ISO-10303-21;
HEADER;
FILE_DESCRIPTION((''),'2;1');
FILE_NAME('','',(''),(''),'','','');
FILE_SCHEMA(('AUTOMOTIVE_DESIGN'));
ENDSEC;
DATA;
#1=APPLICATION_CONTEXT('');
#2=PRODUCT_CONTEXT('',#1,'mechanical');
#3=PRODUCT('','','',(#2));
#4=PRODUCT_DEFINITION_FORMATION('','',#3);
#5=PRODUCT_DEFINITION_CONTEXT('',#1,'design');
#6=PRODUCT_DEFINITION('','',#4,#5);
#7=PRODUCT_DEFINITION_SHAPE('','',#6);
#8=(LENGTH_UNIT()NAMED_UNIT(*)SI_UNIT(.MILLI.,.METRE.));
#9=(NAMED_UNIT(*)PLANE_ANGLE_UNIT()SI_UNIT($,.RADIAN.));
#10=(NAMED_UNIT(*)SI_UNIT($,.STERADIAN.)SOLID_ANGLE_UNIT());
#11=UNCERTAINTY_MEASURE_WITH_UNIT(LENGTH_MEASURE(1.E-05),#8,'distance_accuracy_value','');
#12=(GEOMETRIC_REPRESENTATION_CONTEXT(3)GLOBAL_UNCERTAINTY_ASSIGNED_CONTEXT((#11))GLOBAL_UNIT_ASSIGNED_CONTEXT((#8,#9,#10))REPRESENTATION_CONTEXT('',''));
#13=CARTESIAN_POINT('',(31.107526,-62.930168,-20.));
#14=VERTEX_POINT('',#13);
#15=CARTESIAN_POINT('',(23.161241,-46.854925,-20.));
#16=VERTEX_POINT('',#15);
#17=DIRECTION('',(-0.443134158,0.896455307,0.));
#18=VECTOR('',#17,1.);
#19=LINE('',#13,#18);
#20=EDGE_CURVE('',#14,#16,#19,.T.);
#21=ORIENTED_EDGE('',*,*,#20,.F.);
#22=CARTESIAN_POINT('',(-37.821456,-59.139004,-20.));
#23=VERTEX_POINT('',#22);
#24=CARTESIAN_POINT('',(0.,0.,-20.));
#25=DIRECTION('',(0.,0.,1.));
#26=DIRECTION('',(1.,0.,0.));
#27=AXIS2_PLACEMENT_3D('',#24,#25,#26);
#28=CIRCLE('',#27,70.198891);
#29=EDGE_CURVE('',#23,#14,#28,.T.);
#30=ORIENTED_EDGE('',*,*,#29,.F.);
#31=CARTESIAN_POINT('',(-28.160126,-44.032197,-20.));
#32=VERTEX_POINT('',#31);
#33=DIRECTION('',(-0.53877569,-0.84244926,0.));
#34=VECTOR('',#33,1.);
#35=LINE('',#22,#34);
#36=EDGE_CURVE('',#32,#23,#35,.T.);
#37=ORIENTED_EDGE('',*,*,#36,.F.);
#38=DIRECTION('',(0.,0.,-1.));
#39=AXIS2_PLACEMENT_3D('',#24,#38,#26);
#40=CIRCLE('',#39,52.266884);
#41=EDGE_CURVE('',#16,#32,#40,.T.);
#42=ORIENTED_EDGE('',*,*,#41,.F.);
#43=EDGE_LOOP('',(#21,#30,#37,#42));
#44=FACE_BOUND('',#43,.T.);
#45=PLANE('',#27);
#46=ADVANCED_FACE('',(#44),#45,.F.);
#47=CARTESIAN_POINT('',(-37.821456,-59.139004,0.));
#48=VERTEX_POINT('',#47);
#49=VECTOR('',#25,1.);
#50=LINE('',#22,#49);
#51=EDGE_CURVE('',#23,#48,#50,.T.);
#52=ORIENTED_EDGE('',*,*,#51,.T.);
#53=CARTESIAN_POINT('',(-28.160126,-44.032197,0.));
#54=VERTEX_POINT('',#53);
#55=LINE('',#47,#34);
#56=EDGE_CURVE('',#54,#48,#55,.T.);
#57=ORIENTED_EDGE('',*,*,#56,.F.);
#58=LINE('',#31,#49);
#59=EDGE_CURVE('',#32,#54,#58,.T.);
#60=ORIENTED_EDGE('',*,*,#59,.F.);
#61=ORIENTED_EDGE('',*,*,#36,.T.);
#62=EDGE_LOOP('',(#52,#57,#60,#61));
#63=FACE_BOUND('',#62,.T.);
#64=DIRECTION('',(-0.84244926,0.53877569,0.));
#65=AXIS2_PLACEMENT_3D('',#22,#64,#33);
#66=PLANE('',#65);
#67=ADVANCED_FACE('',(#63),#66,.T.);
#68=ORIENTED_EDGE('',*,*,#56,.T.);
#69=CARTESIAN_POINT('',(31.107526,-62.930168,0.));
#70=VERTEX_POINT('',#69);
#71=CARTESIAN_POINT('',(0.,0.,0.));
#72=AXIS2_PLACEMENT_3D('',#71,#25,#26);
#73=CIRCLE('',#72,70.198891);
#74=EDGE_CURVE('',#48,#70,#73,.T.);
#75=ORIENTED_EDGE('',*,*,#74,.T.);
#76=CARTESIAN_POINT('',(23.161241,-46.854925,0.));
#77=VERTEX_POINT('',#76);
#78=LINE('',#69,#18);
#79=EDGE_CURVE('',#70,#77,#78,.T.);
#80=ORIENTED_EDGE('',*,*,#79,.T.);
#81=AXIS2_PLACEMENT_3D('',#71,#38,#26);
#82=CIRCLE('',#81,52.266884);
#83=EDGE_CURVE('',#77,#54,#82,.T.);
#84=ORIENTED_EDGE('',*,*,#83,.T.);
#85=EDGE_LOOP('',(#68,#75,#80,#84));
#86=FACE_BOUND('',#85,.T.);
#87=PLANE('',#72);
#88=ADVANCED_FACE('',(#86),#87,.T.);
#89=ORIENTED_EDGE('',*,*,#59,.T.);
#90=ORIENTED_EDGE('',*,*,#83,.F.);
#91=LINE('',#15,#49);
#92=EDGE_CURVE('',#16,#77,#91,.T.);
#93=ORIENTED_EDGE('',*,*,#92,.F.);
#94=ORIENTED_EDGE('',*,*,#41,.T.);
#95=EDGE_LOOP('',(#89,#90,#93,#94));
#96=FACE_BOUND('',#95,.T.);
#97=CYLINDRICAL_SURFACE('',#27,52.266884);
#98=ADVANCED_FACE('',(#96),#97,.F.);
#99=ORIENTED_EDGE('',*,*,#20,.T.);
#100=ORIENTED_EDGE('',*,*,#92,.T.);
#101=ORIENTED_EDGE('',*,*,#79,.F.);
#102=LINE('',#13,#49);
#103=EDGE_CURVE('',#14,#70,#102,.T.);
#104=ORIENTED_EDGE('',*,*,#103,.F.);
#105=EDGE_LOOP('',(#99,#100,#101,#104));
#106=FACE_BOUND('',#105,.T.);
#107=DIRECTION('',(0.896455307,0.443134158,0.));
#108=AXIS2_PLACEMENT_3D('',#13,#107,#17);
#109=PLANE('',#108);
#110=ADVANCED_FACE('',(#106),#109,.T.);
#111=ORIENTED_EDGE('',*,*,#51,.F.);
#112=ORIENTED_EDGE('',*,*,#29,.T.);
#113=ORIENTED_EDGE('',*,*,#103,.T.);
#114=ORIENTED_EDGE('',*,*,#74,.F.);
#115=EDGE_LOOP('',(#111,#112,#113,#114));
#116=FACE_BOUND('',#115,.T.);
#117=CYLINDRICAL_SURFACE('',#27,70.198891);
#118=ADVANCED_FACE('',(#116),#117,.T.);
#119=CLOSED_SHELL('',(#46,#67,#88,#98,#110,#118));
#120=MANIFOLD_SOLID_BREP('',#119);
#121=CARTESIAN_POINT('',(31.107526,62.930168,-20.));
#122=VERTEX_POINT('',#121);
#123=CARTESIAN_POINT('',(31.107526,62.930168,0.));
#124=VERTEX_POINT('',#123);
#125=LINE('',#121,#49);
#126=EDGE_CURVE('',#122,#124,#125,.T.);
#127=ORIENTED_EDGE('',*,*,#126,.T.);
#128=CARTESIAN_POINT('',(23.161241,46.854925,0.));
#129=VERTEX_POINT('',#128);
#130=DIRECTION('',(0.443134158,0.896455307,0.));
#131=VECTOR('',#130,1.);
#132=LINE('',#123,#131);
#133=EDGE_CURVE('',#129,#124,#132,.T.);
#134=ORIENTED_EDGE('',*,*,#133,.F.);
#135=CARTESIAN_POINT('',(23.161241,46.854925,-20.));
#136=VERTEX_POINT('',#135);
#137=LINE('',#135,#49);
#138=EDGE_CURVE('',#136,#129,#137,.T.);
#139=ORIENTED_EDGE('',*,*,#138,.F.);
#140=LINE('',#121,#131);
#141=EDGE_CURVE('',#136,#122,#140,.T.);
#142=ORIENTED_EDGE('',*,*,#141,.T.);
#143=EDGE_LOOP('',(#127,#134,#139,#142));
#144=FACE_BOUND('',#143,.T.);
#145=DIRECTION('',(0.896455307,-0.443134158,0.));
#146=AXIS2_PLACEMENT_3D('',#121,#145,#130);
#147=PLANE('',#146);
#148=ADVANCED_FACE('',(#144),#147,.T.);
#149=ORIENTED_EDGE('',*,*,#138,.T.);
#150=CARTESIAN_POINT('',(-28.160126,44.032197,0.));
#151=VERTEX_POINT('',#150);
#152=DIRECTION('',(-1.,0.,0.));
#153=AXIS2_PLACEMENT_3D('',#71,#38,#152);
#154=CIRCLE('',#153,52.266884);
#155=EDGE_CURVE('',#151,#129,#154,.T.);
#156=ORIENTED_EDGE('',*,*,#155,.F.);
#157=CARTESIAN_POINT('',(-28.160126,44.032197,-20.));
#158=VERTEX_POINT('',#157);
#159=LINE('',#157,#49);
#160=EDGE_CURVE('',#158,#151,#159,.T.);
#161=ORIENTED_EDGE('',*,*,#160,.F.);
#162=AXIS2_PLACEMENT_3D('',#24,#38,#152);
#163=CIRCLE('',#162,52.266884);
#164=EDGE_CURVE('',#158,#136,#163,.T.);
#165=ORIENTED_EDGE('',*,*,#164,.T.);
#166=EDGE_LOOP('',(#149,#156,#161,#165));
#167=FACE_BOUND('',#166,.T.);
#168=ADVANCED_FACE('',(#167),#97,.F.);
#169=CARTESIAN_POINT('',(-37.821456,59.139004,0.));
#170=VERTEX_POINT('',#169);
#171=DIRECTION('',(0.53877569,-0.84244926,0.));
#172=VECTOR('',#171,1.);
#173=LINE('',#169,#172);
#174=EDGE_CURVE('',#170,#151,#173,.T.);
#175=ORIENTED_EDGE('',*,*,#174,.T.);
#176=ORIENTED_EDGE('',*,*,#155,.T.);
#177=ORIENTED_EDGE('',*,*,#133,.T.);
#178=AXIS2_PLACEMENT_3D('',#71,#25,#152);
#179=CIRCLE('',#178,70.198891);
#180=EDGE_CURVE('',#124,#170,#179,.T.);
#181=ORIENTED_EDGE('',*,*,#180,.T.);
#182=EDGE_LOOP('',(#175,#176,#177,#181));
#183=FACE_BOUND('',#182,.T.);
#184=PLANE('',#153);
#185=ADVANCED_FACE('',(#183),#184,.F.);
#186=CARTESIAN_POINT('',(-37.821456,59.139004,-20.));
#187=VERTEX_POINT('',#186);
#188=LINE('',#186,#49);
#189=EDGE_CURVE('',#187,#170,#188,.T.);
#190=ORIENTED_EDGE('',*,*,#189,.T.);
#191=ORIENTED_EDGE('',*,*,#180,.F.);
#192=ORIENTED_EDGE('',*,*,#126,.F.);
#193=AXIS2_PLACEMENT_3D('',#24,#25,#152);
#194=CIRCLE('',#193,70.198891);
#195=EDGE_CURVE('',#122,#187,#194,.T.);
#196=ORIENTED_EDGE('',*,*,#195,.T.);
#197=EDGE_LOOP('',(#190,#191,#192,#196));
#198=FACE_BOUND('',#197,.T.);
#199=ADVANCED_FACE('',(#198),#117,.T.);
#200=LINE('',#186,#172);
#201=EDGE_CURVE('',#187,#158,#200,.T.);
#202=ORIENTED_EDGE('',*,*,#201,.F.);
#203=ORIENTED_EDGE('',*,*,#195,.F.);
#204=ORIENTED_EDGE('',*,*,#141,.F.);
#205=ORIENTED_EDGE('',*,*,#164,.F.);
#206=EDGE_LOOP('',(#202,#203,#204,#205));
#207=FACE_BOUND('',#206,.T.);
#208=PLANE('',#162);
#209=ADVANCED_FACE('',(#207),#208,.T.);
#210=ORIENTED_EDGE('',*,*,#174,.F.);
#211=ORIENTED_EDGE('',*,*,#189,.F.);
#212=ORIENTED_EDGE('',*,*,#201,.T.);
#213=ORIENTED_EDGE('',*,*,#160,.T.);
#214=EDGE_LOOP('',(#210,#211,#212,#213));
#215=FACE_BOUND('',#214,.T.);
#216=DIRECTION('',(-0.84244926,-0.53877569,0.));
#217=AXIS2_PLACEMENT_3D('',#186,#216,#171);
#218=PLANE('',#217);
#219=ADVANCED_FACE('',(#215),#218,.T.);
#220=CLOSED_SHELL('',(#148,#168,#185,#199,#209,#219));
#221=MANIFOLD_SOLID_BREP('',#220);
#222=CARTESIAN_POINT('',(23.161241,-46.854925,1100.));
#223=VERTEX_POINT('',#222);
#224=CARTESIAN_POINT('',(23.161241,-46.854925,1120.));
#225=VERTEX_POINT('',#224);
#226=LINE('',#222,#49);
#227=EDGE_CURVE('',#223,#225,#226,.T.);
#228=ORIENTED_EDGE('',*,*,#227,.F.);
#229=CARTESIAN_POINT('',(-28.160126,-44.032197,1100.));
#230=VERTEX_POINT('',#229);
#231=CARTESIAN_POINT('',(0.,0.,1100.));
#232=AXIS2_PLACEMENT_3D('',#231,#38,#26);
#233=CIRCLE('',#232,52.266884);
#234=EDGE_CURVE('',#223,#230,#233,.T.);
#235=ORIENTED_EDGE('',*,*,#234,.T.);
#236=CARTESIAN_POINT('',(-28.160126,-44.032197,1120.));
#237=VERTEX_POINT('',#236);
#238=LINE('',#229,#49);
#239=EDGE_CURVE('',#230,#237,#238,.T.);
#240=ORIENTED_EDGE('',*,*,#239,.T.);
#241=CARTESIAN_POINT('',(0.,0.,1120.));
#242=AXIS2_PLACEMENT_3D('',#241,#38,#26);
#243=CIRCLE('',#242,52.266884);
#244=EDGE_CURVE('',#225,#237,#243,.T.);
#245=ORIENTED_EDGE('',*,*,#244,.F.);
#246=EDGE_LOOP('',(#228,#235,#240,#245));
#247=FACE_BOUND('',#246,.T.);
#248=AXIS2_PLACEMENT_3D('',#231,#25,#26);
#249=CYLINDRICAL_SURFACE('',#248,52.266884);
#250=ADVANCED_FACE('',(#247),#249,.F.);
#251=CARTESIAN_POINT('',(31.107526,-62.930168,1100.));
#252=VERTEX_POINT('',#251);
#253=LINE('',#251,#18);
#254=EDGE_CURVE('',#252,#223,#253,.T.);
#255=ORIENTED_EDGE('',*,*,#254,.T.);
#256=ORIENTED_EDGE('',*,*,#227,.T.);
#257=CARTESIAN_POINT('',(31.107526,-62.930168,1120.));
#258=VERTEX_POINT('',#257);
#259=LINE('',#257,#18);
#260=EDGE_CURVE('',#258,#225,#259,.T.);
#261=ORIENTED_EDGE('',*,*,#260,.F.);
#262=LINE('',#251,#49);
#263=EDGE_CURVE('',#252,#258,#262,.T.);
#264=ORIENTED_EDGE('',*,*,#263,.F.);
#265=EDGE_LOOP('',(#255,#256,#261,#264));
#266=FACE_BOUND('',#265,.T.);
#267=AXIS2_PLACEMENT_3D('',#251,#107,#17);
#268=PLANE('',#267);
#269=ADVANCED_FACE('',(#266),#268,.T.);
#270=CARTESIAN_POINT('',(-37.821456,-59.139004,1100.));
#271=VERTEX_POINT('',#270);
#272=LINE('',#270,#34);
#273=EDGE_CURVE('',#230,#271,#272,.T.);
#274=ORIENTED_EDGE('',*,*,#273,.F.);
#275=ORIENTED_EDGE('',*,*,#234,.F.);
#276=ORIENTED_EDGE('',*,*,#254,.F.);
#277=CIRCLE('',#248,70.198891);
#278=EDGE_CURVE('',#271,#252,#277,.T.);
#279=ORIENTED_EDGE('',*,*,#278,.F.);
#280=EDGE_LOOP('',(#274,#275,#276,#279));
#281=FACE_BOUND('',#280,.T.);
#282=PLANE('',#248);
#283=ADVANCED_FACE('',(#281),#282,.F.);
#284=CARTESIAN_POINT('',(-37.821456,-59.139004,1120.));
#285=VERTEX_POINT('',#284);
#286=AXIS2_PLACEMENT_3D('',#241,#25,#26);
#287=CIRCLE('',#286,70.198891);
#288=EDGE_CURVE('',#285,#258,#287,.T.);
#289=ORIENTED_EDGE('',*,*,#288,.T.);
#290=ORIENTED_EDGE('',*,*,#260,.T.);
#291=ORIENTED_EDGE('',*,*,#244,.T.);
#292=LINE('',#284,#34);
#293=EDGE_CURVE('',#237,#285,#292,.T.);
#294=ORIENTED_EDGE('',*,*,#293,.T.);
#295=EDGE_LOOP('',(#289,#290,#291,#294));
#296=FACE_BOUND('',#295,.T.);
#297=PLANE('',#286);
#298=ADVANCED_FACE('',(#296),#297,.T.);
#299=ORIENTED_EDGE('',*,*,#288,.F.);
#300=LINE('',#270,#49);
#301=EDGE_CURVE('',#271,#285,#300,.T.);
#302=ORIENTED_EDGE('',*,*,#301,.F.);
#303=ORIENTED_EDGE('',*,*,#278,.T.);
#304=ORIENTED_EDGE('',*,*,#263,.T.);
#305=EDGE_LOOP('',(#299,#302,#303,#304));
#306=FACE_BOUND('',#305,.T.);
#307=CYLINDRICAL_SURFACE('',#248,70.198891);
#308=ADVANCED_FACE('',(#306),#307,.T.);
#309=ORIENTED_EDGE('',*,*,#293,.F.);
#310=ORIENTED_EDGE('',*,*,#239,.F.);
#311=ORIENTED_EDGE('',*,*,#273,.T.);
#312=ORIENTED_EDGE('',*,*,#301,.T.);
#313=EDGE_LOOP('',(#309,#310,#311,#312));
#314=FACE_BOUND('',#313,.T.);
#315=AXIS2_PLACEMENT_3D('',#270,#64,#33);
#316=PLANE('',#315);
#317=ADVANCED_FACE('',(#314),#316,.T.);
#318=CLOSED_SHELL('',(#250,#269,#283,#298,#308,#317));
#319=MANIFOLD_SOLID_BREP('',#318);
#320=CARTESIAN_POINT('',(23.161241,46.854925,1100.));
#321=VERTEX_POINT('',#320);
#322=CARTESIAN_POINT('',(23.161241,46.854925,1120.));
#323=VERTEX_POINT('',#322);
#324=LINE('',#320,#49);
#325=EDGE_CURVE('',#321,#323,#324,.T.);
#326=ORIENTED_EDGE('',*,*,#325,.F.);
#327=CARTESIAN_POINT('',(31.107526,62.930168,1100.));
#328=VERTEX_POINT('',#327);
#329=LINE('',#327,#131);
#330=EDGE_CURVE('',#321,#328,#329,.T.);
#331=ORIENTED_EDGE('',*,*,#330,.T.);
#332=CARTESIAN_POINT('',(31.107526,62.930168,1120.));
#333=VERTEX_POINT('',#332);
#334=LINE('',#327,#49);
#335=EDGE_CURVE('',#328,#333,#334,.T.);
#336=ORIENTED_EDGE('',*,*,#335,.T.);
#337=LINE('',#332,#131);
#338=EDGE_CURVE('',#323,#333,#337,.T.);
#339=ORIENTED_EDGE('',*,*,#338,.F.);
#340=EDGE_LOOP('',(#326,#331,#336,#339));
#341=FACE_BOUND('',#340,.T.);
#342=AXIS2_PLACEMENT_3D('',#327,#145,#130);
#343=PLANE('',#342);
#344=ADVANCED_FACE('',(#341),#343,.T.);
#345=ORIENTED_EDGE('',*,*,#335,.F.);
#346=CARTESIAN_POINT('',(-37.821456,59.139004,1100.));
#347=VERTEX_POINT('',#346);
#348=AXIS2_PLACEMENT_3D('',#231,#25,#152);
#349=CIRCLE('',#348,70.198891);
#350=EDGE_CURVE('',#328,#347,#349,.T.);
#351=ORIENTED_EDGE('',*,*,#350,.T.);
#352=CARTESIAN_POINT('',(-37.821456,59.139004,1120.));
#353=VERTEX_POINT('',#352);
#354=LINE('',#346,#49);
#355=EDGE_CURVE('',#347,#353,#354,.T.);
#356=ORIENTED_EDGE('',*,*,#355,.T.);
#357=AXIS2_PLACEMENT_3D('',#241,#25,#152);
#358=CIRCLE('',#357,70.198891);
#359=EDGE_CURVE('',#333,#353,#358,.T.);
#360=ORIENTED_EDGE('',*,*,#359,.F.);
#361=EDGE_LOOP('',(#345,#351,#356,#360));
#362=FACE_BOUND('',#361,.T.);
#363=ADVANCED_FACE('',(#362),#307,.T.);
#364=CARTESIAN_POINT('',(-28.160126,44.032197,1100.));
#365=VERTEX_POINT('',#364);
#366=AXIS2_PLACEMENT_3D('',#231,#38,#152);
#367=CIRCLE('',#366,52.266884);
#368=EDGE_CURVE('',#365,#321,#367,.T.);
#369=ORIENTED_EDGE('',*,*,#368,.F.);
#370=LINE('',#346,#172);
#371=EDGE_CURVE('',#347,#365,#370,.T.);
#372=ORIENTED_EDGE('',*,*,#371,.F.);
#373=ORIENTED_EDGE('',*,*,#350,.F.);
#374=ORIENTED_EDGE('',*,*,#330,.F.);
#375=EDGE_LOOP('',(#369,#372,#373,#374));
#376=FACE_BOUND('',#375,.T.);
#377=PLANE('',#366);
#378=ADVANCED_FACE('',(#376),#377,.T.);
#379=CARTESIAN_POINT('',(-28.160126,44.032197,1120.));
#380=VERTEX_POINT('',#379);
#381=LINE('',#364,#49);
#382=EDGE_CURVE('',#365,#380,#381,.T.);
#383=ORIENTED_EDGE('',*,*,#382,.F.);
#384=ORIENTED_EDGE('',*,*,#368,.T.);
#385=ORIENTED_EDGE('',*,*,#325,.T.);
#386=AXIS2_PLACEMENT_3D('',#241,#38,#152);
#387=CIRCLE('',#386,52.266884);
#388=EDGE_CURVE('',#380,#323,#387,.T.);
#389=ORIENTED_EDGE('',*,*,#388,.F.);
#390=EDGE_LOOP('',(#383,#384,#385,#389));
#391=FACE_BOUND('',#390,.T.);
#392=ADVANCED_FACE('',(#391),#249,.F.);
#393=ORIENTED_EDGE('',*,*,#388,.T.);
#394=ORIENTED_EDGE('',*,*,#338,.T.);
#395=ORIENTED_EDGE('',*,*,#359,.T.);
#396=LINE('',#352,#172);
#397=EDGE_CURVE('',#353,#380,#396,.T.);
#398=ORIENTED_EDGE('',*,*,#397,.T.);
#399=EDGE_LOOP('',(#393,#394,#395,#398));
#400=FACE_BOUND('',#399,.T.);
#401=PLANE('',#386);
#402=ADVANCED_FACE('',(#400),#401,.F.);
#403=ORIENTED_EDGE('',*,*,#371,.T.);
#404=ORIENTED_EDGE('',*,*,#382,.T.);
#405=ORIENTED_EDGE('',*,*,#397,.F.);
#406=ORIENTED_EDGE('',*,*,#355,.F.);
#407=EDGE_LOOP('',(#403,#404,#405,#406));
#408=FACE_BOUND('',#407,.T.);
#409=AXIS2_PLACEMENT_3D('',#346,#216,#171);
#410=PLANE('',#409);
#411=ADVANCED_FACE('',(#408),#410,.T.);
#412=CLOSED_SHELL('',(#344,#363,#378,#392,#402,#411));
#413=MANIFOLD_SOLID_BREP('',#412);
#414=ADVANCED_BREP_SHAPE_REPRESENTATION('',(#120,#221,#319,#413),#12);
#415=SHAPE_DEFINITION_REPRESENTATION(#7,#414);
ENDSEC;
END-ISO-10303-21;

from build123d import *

# Parameters (mm, degrees)
BOSS_EXTRUDE2_DEPTH   = 20
BOSS_EXTRUDE2_2_DEPTH = 20
LPATTERN1_COUNT       = 2
LPATTERN1_PITCH       = 1120


with BuildPart() as part:
    # Sketch2 → Boss-Extrude2 (new body)
    with BuildSketch(Plane.XY):
        with BuildLine():
            Line((-37.821455886, 59.139003749), (-28.160126305, 44.032197495))
            ThreePointArc((-28.160126305, 44.032197495), (-2.870393775, 52.188005991), (23.161241474, 46.854925281))
            Line((23.161241474, 46.854925281), (31.107526408, 62.930168366))
            ThreePointArc((31.107526408, 62.930168366), (-3.855184113, 70.092951467), (-37.821455886, 59.139003749))
        make_face()
    boss_extrude2 = extrude(amount=-BOSS_EXTRUDE2_DEPTH)


with BuildPart() as body_2:
    # Sketch2 → Boss-Extrude2 2 (new body)
    with BuildSketch(Plane.XY):
        with BuildLine():
            Line((31.107526408, -62.930168366), (23.161241474, -46.854925281))
            ThreePointArc((23.161241474, -46.854925281), (-2.870393775, -52.188005991), (-28.160126305, -44.032197495))
            Line((-28.160126305, -44.032197495), (-37.821455886, -59.139003749))
            ThreePointArc((-37.821455886, -59.139003749), (-3.855184113, -70.092951467), (31.107526408, -62.930168366))
        make_face()
    boss_extrude2_2 = extrude(amount=-BOSS_EXTRUDE2_2_DEPTH)


with BuildPart() as lpattern1_1:
    # LPattern1: Boss-Extrude2, Boss-Extrude2 2 ×2
    with Locations(*[(0, 0, i * LPATTERN1_PITCH) for i in range(1, LPATTERN1_COUNT)]):
        add(boss_extrude2)
        add(boss_extrude2_2)


solid = Compound([part.part, body_2.part, lpattern1_1.part])
